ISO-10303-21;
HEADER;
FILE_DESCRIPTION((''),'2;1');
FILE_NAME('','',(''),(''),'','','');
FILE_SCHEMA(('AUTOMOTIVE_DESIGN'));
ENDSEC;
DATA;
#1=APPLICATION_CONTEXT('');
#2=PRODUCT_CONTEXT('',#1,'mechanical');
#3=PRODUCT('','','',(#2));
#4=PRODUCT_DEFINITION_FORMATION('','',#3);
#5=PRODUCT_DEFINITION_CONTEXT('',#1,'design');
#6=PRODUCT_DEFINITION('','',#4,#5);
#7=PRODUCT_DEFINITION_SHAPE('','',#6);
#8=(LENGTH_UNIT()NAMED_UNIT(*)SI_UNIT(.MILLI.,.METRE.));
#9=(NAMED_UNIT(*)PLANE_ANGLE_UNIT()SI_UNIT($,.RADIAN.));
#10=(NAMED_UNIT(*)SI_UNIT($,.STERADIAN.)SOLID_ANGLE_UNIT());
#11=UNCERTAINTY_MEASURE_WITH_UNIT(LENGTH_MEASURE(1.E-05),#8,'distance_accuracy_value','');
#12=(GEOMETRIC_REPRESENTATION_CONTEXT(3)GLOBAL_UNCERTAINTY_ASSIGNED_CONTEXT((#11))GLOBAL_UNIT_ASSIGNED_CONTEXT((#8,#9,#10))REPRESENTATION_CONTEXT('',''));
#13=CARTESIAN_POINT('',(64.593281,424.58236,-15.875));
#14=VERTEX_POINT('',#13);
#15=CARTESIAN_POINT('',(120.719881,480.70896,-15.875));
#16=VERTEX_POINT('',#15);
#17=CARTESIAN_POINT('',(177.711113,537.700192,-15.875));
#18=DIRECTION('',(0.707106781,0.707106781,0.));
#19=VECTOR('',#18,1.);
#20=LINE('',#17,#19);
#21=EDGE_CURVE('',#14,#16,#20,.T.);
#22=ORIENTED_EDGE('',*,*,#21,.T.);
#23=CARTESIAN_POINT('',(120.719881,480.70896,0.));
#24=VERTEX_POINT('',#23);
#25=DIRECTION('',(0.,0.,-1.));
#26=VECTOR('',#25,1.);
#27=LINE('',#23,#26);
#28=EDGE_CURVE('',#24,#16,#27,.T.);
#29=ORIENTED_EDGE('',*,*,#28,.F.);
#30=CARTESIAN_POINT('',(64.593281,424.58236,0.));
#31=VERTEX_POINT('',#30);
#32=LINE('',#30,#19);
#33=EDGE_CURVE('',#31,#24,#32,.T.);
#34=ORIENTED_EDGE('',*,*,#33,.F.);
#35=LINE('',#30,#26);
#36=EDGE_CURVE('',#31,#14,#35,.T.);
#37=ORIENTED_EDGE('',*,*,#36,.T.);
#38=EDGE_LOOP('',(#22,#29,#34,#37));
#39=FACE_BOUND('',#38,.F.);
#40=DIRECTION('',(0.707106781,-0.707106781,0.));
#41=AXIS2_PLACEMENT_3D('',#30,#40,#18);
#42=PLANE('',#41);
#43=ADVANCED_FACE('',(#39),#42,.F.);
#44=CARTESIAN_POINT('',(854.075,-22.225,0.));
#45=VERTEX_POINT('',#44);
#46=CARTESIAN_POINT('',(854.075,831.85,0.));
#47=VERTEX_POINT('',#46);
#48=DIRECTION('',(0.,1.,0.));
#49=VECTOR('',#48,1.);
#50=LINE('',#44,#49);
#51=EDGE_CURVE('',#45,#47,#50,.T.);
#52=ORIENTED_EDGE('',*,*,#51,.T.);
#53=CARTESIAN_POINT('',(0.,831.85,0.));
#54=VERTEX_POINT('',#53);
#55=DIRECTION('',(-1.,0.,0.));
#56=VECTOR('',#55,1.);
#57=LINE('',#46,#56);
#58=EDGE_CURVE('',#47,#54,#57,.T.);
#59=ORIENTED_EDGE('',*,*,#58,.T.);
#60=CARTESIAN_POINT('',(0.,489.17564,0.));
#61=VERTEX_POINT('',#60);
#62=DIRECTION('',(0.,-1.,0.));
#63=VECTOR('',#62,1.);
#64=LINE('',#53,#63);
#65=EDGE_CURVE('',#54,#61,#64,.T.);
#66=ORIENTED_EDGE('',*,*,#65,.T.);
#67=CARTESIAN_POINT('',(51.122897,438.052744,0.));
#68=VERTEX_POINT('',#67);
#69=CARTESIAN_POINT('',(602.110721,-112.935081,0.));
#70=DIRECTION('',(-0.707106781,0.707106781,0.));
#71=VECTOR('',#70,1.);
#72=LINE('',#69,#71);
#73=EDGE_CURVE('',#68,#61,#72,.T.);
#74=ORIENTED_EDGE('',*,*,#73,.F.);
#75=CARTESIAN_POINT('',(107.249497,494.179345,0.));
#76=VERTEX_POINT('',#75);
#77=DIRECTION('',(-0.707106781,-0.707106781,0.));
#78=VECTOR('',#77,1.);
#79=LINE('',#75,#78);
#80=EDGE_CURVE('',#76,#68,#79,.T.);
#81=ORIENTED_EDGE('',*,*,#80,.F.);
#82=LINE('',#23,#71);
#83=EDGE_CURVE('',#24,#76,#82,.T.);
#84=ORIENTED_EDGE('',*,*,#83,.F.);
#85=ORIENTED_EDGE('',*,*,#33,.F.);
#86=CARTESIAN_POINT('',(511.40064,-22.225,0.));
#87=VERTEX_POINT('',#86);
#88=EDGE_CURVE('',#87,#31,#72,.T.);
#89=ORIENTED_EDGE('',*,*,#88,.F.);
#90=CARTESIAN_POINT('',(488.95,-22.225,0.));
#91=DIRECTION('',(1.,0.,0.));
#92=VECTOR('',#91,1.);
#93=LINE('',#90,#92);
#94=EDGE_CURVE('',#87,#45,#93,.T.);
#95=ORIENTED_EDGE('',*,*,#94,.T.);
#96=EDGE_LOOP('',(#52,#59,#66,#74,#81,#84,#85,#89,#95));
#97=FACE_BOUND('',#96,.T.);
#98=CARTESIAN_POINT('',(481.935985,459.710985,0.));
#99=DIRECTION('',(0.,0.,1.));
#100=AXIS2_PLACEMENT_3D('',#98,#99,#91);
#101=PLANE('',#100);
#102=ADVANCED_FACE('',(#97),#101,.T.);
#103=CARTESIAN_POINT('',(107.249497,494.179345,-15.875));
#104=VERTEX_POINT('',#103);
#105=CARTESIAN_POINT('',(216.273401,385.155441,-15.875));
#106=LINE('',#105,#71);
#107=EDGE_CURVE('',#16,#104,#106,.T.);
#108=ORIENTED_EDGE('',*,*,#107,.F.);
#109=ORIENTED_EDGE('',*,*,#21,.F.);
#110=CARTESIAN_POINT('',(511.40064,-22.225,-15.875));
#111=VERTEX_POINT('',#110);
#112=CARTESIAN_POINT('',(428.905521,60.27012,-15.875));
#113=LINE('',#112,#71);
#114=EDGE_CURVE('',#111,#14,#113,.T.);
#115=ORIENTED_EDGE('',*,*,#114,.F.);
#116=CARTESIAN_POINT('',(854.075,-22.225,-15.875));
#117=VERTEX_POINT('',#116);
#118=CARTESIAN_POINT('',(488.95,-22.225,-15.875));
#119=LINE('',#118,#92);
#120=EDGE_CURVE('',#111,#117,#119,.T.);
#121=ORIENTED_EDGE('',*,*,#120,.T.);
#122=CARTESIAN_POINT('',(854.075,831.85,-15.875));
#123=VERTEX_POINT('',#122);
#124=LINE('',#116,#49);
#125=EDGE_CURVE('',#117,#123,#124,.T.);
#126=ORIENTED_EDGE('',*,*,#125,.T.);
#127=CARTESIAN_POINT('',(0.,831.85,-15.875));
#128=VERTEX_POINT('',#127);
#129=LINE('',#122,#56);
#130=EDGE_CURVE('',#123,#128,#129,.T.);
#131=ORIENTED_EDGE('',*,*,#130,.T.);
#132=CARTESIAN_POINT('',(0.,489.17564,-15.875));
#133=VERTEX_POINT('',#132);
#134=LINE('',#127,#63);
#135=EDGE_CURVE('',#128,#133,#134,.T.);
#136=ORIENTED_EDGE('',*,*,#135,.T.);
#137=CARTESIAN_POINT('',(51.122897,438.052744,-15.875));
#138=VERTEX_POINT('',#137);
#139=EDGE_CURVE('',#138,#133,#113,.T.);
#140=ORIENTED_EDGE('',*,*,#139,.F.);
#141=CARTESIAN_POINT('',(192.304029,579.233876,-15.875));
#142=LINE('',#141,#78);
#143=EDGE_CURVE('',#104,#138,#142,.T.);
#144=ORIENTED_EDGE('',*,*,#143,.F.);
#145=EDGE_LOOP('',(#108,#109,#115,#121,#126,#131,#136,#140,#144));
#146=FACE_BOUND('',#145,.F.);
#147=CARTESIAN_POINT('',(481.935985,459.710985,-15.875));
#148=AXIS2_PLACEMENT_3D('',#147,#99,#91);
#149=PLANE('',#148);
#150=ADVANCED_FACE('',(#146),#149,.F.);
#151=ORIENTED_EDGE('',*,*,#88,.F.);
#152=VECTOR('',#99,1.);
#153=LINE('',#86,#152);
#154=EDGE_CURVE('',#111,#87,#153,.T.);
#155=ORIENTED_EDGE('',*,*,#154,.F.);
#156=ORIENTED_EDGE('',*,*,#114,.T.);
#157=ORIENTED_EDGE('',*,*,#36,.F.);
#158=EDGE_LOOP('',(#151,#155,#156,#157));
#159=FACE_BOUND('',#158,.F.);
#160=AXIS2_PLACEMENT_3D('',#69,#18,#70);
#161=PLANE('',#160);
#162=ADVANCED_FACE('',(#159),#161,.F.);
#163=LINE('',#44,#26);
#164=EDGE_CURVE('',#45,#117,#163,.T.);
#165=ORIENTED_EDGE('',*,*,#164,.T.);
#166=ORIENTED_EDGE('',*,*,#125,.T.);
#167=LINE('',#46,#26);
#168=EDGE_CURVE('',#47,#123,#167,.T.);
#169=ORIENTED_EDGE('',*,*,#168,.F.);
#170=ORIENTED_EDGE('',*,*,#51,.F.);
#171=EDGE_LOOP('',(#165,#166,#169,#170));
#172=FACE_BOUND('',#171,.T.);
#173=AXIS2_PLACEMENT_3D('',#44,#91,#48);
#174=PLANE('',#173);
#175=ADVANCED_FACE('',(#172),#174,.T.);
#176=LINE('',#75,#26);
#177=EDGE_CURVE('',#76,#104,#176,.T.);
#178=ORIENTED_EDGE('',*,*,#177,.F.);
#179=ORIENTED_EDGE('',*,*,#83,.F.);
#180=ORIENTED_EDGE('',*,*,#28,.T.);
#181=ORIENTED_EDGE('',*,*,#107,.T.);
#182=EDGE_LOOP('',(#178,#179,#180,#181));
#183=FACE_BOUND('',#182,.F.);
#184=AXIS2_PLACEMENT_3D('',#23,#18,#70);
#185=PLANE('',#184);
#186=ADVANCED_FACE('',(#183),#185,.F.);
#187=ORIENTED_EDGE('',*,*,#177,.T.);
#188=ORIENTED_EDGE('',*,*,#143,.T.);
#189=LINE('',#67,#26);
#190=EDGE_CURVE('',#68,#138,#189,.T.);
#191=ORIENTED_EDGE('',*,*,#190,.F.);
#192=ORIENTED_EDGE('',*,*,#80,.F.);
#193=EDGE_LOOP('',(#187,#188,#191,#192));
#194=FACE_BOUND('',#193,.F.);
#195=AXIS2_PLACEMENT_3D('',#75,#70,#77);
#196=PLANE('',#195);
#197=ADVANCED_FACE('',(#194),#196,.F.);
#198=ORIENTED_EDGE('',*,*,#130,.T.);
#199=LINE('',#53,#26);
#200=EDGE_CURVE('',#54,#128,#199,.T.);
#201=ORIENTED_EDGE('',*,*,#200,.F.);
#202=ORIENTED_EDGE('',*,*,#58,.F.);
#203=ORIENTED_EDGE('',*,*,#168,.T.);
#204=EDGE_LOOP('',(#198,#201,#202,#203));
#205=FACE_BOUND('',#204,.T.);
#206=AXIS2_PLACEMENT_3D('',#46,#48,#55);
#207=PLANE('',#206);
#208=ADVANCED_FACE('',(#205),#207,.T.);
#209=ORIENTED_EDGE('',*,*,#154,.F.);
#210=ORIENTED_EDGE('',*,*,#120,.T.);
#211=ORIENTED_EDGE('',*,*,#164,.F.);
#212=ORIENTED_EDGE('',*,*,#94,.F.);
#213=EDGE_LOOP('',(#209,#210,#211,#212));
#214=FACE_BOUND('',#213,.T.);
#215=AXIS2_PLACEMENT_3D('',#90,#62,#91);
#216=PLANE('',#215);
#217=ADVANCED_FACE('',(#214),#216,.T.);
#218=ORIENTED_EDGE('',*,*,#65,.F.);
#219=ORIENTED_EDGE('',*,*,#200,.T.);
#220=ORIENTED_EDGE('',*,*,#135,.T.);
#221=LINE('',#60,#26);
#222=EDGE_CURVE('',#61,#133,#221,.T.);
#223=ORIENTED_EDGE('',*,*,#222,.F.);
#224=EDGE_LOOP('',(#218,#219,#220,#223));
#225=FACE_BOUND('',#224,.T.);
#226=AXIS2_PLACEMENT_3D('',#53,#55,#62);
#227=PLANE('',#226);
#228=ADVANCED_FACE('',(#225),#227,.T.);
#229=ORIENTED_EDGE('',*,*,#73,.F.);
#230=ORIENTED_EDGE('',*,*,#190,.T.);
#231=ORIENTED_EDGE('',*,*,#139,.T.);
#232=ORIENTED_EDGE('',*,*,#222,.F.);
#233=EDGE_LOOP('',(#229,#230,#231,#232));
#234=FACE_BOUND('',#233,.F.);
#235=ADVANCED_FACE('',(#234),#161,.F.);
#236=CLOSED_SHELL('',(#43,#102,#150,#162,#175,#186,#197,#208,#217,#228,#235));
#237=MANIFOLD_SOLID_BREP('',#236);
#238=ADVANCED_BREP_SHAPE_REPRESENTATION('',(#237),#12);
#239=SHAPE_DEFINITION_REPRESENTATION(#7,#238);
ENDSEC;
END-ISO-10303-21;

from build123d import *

# Parameters (mm, degrees)
F1_DEPTH = 15.875
F3_DEPTH = 25.4
F5_DEPTH = 25.4


with BuildPart() as f1:
    # F0 (on Top) → F1 (new body)
    with BuildSketch(Plane.XY):
        Polygon((0, 466.725), (488.95, -22.225), (854.075, -22.225), (854.075, 831.85), (0, 831.85), align=None)
    extrude(amount=-F1_DEPTH)

    # F2 (on face) → F3 (cut)
    with BuildSketch(Plane.XY):
        Polygon((-101.9354011834, 568.6604011834), (244.475, 222.25), (590.8854011834, -124.1604011834), (602.1107213347, -112.935081032), (257.2878201513, 231.8878201513), (254.1128201513, 235.0628201513), (-90.710081032, 579.8857213347), align=None)
    extrude(amount=-F3_DEPTH, mode=Mode.SUBTRACT)

    # F4 (on face) → F5 (cut)
    with BuildSketch(Plane.XY):
        Polygon((107.249497258, 494.179344558), (51.1228965013, 438.0527438014), (64.5932806829, 424.5823596198), (120.7198814396, 480.7089603764), align=None)
    extrude(amount=-F5_DEPTH, mode=Mode.SUBTRACT)


solid = f1.part
